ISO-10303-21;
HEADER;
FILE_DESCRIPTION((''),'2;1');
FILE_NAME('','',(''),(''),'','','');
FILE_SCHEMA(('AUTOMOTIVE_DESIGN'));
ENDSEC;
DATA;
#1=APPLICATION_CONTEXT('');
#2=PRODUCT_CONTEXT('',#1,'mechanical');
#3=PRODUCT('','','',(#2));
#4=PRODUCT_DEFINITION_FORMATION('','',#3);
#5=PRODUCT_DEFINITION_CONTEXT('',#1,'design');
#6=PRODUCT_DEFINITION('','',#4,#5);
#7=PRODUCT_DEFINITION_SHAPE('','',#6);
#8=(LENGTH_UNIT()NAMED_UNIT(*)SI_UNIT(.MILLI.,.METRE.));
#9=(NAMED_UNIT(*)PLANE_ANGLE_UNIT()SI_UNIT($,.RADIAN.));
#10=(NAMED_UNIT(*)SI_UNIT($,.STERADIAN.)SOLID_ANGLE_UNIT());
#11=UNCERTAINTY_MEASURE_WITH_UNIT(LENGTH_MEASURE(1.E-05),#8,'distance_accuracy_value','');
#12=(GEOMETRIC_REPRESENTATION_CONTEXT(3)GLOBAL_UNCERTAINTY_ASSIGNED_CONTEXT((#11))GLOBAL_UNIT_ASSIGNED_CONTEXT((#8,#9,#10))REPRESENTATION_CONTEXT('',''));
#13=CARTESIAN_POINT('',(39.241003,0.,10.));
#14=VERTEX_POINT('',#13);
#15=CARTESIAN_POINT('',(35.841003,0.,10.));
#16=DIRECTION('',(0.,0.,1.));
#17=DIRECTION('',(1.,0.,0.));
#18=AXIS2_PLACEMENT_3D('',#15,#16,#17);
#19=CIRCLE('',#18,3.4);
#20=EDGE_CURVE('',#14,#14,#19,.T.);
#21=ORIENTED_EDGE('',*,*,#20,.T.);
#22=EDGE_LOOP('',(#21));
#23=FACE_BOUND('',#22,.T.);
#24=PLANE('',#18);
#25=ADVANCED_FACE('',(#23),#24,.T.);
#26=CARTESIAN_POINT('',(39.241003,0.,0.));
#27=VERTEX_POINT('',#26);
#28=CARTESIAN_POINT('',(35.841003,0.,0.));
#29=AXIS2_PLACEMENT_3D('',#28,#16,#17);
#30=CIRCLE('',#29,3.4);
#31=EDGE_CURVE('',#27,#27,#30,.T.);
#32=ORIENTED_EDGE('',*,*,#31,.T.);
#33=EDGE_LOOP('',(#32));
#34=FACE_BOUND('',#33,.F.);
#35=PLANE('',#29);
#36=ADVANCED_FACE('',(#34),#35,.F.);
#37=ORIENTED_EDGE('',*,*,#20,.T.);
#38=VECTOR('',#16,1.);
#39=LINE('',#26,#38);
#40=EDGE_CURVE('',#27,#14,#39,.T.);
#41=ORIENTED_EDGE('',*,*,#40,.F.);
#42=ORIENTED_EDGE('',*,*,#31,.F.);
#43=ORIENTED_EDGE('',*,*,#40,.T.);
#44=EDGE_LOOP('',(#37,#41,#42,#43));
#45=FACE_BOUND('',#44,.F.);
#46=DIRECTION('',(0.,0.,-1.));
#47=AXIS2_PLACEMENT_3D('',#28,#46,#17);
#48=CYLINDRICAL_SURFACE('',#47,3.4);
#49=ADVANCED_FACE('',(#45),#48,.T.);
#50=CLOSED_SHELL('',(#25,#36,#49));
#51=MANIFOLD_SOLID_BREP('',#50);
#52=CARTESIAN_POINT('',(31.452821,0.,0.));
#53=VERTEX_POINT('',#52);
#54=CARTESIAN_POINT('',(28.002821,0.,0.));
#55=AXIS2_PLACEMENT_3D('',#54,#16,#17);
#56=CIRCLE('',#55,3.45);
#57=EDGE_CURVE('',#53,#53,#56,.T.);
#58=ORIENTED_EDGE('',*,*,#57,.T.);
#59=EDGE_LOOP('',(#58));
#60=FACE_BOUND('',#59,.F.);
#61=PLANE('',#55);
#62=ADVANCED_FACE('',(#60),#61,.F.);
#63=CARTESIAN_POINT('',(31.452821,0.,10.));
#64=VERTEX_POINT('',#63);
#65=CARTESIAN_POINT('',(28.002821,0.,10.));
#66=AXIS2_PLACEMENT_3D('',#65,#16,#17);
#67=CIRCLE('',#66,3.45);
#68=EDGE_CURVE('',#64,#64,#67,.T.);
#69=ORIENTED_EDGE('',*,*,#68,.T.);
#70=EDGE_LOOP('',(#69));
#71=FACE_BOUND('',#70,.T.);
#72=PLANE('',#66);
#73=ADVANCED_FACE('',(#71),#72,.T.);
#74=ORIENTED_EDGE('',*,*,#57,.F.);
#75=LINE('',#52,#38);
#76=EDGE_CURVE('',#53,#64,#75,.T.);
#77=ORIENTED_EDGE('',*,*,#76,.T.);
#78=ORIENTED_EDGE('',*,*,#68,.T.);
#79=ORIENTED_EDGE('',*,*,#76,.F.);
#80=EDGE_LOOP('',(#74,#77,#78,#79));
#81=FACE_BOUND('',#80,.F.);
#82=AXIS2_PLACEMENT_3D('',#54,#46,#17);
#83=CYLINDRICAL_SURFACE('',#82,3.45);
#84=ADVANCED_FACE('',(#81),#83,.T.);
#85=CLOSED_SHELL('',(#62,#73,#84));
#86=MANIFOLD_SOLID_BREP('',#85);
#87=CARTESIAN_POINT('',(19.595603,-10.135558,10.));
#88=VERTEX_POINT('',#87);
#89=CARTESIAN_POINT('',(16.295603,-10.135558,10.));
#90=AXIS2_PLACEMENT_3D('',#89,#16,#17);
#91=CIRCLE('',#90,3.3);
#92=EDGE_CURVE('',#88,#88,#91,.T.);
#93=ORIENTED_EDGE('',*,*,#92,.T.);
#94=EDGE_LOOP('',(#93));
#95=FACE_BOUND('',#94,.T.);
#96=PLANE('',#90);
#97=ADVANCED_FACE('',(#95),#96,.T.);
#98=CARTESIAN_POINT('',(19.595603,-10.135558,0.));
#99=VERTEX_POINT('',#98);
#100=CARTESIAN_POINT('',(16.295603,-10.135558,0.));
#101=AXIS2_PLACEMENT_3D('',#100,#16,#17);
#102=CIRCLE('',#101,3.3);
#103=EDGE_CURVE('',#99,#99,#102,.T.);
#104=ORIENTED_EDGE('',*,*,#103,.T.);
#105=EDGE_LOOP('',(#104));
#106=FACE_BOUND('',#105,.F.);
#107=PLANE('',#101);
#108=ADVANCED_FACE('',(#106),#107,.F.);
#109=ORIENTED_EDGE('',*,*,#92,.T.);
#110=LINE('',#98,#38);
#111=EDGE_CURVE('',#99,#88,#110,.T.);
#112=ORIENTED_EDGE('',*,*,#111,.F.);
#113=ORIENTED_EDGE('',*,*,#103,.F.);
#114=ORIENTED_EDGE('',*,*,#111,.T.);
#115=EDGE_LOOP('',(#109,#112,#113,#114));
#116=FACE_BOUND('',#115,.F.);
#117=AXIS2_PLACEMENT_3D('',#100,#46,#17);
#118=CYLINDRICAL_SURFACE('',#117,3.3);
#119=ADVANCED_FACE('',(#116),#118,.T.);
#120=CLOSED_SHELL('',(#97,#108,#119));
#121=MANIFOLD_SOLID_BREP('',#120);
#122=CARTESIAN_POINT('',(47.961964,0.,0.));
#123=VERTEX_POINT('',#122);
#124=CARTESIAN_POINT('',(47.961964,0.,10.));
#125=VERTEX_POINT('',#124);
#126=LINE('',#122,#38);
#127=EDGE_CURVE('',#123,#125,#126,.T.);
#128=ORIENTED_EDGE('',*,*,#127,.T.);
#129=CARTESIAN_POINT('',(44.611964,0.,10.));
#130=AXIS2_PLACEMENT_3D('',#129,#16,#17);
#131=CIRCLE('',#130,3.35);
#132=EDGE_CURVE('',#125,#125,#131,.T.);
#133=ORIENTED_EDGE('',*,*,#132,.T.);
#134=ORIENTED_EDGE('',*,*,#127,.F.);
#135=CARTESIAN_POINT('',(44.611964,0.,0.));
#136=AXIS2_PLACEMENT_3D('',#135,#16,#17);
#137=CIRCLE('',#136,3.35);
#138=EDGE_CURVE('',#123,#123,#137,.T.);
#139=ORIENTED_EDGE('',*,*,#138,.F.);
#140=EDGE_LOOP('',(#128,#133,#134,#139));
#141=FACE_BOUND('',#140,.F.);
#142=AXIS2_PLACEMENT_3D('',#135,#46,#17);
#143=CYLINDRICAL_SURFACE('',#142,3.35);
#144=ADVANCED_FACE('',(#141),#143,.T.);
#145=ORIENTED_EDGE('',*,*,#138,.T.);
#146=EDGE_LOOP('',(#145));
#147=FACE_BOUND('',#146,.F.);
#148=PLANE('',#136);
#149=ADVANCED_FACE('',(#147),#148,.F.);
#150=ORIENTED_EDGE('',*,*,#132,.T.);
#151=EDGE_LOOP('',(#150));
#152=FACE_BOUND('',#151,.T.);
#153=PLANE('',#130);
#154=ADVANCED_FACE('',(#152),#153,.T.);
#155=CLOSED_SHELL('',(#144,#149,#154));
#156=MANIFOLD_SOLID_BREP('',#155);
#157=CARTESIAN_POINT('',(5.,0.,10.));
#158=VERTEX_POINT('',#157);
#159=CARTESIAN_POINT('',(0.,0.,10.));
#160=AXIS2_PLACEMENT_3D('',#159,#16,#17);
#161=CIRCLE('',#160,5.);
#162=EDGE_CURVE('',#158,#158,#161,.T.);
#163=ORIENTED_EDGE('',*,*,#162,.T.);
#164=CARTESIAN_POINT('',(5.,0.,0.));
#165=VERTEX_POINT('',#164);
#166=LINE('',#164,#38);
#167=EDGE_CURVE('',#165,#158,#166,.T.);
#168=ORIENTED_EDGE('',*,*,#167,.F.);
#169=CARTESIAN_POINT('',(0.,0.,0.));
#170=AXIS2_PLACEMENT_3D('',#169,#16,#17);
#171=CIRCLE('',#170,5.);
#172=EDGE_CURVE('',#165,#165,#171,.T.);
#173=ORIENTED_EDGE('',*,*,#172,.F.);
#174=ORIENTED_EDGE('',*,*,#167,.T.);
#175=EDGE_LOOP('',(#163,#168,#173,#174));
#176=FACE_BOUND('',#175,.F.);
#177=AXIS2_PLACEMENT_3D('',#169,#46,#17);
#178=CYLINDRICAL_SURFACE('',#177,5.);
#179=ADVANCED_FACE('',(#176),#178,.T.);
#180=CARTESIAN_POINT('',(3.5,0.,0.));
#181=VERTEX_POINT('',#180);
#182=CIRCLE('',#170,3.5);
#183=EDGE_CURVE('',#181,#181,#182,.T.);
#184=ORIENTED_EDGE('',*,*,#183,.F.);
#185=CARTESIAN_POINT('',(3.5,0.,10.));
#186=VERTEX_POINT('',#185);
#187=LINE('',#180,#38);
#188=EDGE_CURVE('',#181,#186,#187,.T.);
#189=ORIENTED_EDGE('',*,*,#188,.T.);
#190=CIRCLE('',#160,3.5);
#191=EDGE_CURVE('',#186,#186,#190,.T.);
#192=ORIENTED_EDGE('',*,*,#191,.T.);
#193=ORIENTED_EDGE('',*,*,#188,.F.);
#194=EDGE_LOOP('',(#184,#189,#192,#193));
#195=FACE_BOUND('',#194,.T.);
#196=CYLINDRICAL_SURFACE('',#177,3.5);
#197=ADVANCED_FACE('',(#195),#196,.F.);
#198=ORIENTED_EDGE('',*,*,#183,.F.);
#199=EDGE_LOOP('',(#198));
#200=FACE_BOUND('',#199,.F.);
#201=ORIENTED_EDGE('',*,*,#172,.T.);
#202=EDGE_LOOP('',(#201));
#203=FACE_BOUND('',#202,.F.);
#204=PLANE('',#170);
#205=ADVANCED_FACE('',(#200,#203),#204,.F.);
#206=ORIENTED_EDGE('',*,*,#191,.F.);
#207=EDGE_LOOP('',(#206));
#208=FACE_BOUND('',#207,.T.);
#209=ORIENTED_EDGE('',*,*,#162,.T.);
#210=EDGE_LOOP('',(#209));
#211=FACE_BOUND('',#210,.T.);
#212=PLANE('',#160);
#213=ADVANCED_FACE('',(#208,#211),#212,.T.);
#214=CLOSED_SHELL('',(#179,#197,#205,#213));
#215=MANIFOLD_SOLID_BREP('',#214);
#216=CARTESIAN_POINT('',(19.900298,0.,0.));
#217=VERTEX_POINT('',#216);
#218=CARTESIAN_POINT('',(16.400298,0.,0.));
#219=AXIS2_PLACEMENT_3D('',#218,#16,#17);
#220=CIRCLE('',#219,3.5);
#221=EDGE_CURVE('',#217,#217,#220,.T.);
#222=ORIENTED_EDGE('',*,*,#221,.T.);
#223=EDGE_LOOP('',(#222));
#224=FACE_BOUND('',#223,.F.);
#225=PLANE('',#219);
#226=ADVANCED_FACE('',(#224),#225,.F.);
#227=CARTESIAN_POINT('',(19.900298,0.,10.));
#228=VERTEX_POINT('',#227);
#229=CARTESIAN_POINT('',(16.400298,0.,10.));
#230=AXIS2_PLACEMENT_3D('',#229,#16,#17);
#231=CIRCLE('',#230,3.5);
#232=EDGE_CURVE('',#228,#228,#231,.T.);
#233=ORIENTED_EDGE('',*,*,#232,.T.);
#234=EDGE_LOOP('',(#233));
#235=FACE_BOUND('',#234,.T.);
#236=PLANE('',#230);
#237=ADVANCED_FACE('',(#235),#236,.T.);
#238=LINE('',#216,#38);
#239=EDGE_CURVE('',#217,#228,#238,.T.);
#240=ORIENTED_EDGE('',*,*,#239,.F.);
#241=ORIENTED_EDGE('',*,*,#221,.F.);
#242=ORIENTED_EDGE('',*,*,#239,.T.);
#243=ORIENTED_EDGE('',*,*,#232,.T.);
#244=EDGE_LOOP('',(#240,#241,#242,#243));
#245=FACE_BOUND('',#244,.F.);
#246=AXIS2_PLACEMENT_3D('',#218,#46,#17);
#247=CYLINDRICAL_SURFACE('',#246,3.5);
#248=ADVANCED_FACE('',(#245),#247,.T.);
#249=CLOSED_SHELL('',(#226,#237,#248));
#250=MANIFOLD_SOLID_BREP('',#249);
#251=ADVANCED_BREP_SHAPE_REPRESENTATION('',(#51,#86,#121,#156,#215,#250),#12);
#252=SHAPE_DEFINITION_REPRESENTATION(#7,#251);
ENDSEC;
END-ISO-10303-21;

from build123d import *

# Parameters (mm, degrees)
F0_R     = 5
F0_R_2   = 3.5
F0_R_3   = 3.45
F0_R_4   = 3.4
F0_R_5   = 3.35
F0_R_6   = 3.3
F1_DEPTH = 10


with BuildPart() as f1:
    # F0 (on Top) → F1 (new body)
    with BuildSketch(Plane.XY):
        Circle(F0_R)
        Circle(F0_R_2, mode=Mode.SUBTRACT)
        with Locations((16.400298, 0)):
            Circle(F0_R_2)
        with Locations((28.002821, 0)):
            Circle(F0_R_3)
        with Locations((35.841003, 0)):
            Circle(F0_R_4)
        with Locations((44.611964, 0)):
            Circle(F0_R_5)
        with Locations((16.295603, -10.135558)):
            Circle(F0_R_6)
    extrude(amount=F1_DEPTH)


solid = f1.part
